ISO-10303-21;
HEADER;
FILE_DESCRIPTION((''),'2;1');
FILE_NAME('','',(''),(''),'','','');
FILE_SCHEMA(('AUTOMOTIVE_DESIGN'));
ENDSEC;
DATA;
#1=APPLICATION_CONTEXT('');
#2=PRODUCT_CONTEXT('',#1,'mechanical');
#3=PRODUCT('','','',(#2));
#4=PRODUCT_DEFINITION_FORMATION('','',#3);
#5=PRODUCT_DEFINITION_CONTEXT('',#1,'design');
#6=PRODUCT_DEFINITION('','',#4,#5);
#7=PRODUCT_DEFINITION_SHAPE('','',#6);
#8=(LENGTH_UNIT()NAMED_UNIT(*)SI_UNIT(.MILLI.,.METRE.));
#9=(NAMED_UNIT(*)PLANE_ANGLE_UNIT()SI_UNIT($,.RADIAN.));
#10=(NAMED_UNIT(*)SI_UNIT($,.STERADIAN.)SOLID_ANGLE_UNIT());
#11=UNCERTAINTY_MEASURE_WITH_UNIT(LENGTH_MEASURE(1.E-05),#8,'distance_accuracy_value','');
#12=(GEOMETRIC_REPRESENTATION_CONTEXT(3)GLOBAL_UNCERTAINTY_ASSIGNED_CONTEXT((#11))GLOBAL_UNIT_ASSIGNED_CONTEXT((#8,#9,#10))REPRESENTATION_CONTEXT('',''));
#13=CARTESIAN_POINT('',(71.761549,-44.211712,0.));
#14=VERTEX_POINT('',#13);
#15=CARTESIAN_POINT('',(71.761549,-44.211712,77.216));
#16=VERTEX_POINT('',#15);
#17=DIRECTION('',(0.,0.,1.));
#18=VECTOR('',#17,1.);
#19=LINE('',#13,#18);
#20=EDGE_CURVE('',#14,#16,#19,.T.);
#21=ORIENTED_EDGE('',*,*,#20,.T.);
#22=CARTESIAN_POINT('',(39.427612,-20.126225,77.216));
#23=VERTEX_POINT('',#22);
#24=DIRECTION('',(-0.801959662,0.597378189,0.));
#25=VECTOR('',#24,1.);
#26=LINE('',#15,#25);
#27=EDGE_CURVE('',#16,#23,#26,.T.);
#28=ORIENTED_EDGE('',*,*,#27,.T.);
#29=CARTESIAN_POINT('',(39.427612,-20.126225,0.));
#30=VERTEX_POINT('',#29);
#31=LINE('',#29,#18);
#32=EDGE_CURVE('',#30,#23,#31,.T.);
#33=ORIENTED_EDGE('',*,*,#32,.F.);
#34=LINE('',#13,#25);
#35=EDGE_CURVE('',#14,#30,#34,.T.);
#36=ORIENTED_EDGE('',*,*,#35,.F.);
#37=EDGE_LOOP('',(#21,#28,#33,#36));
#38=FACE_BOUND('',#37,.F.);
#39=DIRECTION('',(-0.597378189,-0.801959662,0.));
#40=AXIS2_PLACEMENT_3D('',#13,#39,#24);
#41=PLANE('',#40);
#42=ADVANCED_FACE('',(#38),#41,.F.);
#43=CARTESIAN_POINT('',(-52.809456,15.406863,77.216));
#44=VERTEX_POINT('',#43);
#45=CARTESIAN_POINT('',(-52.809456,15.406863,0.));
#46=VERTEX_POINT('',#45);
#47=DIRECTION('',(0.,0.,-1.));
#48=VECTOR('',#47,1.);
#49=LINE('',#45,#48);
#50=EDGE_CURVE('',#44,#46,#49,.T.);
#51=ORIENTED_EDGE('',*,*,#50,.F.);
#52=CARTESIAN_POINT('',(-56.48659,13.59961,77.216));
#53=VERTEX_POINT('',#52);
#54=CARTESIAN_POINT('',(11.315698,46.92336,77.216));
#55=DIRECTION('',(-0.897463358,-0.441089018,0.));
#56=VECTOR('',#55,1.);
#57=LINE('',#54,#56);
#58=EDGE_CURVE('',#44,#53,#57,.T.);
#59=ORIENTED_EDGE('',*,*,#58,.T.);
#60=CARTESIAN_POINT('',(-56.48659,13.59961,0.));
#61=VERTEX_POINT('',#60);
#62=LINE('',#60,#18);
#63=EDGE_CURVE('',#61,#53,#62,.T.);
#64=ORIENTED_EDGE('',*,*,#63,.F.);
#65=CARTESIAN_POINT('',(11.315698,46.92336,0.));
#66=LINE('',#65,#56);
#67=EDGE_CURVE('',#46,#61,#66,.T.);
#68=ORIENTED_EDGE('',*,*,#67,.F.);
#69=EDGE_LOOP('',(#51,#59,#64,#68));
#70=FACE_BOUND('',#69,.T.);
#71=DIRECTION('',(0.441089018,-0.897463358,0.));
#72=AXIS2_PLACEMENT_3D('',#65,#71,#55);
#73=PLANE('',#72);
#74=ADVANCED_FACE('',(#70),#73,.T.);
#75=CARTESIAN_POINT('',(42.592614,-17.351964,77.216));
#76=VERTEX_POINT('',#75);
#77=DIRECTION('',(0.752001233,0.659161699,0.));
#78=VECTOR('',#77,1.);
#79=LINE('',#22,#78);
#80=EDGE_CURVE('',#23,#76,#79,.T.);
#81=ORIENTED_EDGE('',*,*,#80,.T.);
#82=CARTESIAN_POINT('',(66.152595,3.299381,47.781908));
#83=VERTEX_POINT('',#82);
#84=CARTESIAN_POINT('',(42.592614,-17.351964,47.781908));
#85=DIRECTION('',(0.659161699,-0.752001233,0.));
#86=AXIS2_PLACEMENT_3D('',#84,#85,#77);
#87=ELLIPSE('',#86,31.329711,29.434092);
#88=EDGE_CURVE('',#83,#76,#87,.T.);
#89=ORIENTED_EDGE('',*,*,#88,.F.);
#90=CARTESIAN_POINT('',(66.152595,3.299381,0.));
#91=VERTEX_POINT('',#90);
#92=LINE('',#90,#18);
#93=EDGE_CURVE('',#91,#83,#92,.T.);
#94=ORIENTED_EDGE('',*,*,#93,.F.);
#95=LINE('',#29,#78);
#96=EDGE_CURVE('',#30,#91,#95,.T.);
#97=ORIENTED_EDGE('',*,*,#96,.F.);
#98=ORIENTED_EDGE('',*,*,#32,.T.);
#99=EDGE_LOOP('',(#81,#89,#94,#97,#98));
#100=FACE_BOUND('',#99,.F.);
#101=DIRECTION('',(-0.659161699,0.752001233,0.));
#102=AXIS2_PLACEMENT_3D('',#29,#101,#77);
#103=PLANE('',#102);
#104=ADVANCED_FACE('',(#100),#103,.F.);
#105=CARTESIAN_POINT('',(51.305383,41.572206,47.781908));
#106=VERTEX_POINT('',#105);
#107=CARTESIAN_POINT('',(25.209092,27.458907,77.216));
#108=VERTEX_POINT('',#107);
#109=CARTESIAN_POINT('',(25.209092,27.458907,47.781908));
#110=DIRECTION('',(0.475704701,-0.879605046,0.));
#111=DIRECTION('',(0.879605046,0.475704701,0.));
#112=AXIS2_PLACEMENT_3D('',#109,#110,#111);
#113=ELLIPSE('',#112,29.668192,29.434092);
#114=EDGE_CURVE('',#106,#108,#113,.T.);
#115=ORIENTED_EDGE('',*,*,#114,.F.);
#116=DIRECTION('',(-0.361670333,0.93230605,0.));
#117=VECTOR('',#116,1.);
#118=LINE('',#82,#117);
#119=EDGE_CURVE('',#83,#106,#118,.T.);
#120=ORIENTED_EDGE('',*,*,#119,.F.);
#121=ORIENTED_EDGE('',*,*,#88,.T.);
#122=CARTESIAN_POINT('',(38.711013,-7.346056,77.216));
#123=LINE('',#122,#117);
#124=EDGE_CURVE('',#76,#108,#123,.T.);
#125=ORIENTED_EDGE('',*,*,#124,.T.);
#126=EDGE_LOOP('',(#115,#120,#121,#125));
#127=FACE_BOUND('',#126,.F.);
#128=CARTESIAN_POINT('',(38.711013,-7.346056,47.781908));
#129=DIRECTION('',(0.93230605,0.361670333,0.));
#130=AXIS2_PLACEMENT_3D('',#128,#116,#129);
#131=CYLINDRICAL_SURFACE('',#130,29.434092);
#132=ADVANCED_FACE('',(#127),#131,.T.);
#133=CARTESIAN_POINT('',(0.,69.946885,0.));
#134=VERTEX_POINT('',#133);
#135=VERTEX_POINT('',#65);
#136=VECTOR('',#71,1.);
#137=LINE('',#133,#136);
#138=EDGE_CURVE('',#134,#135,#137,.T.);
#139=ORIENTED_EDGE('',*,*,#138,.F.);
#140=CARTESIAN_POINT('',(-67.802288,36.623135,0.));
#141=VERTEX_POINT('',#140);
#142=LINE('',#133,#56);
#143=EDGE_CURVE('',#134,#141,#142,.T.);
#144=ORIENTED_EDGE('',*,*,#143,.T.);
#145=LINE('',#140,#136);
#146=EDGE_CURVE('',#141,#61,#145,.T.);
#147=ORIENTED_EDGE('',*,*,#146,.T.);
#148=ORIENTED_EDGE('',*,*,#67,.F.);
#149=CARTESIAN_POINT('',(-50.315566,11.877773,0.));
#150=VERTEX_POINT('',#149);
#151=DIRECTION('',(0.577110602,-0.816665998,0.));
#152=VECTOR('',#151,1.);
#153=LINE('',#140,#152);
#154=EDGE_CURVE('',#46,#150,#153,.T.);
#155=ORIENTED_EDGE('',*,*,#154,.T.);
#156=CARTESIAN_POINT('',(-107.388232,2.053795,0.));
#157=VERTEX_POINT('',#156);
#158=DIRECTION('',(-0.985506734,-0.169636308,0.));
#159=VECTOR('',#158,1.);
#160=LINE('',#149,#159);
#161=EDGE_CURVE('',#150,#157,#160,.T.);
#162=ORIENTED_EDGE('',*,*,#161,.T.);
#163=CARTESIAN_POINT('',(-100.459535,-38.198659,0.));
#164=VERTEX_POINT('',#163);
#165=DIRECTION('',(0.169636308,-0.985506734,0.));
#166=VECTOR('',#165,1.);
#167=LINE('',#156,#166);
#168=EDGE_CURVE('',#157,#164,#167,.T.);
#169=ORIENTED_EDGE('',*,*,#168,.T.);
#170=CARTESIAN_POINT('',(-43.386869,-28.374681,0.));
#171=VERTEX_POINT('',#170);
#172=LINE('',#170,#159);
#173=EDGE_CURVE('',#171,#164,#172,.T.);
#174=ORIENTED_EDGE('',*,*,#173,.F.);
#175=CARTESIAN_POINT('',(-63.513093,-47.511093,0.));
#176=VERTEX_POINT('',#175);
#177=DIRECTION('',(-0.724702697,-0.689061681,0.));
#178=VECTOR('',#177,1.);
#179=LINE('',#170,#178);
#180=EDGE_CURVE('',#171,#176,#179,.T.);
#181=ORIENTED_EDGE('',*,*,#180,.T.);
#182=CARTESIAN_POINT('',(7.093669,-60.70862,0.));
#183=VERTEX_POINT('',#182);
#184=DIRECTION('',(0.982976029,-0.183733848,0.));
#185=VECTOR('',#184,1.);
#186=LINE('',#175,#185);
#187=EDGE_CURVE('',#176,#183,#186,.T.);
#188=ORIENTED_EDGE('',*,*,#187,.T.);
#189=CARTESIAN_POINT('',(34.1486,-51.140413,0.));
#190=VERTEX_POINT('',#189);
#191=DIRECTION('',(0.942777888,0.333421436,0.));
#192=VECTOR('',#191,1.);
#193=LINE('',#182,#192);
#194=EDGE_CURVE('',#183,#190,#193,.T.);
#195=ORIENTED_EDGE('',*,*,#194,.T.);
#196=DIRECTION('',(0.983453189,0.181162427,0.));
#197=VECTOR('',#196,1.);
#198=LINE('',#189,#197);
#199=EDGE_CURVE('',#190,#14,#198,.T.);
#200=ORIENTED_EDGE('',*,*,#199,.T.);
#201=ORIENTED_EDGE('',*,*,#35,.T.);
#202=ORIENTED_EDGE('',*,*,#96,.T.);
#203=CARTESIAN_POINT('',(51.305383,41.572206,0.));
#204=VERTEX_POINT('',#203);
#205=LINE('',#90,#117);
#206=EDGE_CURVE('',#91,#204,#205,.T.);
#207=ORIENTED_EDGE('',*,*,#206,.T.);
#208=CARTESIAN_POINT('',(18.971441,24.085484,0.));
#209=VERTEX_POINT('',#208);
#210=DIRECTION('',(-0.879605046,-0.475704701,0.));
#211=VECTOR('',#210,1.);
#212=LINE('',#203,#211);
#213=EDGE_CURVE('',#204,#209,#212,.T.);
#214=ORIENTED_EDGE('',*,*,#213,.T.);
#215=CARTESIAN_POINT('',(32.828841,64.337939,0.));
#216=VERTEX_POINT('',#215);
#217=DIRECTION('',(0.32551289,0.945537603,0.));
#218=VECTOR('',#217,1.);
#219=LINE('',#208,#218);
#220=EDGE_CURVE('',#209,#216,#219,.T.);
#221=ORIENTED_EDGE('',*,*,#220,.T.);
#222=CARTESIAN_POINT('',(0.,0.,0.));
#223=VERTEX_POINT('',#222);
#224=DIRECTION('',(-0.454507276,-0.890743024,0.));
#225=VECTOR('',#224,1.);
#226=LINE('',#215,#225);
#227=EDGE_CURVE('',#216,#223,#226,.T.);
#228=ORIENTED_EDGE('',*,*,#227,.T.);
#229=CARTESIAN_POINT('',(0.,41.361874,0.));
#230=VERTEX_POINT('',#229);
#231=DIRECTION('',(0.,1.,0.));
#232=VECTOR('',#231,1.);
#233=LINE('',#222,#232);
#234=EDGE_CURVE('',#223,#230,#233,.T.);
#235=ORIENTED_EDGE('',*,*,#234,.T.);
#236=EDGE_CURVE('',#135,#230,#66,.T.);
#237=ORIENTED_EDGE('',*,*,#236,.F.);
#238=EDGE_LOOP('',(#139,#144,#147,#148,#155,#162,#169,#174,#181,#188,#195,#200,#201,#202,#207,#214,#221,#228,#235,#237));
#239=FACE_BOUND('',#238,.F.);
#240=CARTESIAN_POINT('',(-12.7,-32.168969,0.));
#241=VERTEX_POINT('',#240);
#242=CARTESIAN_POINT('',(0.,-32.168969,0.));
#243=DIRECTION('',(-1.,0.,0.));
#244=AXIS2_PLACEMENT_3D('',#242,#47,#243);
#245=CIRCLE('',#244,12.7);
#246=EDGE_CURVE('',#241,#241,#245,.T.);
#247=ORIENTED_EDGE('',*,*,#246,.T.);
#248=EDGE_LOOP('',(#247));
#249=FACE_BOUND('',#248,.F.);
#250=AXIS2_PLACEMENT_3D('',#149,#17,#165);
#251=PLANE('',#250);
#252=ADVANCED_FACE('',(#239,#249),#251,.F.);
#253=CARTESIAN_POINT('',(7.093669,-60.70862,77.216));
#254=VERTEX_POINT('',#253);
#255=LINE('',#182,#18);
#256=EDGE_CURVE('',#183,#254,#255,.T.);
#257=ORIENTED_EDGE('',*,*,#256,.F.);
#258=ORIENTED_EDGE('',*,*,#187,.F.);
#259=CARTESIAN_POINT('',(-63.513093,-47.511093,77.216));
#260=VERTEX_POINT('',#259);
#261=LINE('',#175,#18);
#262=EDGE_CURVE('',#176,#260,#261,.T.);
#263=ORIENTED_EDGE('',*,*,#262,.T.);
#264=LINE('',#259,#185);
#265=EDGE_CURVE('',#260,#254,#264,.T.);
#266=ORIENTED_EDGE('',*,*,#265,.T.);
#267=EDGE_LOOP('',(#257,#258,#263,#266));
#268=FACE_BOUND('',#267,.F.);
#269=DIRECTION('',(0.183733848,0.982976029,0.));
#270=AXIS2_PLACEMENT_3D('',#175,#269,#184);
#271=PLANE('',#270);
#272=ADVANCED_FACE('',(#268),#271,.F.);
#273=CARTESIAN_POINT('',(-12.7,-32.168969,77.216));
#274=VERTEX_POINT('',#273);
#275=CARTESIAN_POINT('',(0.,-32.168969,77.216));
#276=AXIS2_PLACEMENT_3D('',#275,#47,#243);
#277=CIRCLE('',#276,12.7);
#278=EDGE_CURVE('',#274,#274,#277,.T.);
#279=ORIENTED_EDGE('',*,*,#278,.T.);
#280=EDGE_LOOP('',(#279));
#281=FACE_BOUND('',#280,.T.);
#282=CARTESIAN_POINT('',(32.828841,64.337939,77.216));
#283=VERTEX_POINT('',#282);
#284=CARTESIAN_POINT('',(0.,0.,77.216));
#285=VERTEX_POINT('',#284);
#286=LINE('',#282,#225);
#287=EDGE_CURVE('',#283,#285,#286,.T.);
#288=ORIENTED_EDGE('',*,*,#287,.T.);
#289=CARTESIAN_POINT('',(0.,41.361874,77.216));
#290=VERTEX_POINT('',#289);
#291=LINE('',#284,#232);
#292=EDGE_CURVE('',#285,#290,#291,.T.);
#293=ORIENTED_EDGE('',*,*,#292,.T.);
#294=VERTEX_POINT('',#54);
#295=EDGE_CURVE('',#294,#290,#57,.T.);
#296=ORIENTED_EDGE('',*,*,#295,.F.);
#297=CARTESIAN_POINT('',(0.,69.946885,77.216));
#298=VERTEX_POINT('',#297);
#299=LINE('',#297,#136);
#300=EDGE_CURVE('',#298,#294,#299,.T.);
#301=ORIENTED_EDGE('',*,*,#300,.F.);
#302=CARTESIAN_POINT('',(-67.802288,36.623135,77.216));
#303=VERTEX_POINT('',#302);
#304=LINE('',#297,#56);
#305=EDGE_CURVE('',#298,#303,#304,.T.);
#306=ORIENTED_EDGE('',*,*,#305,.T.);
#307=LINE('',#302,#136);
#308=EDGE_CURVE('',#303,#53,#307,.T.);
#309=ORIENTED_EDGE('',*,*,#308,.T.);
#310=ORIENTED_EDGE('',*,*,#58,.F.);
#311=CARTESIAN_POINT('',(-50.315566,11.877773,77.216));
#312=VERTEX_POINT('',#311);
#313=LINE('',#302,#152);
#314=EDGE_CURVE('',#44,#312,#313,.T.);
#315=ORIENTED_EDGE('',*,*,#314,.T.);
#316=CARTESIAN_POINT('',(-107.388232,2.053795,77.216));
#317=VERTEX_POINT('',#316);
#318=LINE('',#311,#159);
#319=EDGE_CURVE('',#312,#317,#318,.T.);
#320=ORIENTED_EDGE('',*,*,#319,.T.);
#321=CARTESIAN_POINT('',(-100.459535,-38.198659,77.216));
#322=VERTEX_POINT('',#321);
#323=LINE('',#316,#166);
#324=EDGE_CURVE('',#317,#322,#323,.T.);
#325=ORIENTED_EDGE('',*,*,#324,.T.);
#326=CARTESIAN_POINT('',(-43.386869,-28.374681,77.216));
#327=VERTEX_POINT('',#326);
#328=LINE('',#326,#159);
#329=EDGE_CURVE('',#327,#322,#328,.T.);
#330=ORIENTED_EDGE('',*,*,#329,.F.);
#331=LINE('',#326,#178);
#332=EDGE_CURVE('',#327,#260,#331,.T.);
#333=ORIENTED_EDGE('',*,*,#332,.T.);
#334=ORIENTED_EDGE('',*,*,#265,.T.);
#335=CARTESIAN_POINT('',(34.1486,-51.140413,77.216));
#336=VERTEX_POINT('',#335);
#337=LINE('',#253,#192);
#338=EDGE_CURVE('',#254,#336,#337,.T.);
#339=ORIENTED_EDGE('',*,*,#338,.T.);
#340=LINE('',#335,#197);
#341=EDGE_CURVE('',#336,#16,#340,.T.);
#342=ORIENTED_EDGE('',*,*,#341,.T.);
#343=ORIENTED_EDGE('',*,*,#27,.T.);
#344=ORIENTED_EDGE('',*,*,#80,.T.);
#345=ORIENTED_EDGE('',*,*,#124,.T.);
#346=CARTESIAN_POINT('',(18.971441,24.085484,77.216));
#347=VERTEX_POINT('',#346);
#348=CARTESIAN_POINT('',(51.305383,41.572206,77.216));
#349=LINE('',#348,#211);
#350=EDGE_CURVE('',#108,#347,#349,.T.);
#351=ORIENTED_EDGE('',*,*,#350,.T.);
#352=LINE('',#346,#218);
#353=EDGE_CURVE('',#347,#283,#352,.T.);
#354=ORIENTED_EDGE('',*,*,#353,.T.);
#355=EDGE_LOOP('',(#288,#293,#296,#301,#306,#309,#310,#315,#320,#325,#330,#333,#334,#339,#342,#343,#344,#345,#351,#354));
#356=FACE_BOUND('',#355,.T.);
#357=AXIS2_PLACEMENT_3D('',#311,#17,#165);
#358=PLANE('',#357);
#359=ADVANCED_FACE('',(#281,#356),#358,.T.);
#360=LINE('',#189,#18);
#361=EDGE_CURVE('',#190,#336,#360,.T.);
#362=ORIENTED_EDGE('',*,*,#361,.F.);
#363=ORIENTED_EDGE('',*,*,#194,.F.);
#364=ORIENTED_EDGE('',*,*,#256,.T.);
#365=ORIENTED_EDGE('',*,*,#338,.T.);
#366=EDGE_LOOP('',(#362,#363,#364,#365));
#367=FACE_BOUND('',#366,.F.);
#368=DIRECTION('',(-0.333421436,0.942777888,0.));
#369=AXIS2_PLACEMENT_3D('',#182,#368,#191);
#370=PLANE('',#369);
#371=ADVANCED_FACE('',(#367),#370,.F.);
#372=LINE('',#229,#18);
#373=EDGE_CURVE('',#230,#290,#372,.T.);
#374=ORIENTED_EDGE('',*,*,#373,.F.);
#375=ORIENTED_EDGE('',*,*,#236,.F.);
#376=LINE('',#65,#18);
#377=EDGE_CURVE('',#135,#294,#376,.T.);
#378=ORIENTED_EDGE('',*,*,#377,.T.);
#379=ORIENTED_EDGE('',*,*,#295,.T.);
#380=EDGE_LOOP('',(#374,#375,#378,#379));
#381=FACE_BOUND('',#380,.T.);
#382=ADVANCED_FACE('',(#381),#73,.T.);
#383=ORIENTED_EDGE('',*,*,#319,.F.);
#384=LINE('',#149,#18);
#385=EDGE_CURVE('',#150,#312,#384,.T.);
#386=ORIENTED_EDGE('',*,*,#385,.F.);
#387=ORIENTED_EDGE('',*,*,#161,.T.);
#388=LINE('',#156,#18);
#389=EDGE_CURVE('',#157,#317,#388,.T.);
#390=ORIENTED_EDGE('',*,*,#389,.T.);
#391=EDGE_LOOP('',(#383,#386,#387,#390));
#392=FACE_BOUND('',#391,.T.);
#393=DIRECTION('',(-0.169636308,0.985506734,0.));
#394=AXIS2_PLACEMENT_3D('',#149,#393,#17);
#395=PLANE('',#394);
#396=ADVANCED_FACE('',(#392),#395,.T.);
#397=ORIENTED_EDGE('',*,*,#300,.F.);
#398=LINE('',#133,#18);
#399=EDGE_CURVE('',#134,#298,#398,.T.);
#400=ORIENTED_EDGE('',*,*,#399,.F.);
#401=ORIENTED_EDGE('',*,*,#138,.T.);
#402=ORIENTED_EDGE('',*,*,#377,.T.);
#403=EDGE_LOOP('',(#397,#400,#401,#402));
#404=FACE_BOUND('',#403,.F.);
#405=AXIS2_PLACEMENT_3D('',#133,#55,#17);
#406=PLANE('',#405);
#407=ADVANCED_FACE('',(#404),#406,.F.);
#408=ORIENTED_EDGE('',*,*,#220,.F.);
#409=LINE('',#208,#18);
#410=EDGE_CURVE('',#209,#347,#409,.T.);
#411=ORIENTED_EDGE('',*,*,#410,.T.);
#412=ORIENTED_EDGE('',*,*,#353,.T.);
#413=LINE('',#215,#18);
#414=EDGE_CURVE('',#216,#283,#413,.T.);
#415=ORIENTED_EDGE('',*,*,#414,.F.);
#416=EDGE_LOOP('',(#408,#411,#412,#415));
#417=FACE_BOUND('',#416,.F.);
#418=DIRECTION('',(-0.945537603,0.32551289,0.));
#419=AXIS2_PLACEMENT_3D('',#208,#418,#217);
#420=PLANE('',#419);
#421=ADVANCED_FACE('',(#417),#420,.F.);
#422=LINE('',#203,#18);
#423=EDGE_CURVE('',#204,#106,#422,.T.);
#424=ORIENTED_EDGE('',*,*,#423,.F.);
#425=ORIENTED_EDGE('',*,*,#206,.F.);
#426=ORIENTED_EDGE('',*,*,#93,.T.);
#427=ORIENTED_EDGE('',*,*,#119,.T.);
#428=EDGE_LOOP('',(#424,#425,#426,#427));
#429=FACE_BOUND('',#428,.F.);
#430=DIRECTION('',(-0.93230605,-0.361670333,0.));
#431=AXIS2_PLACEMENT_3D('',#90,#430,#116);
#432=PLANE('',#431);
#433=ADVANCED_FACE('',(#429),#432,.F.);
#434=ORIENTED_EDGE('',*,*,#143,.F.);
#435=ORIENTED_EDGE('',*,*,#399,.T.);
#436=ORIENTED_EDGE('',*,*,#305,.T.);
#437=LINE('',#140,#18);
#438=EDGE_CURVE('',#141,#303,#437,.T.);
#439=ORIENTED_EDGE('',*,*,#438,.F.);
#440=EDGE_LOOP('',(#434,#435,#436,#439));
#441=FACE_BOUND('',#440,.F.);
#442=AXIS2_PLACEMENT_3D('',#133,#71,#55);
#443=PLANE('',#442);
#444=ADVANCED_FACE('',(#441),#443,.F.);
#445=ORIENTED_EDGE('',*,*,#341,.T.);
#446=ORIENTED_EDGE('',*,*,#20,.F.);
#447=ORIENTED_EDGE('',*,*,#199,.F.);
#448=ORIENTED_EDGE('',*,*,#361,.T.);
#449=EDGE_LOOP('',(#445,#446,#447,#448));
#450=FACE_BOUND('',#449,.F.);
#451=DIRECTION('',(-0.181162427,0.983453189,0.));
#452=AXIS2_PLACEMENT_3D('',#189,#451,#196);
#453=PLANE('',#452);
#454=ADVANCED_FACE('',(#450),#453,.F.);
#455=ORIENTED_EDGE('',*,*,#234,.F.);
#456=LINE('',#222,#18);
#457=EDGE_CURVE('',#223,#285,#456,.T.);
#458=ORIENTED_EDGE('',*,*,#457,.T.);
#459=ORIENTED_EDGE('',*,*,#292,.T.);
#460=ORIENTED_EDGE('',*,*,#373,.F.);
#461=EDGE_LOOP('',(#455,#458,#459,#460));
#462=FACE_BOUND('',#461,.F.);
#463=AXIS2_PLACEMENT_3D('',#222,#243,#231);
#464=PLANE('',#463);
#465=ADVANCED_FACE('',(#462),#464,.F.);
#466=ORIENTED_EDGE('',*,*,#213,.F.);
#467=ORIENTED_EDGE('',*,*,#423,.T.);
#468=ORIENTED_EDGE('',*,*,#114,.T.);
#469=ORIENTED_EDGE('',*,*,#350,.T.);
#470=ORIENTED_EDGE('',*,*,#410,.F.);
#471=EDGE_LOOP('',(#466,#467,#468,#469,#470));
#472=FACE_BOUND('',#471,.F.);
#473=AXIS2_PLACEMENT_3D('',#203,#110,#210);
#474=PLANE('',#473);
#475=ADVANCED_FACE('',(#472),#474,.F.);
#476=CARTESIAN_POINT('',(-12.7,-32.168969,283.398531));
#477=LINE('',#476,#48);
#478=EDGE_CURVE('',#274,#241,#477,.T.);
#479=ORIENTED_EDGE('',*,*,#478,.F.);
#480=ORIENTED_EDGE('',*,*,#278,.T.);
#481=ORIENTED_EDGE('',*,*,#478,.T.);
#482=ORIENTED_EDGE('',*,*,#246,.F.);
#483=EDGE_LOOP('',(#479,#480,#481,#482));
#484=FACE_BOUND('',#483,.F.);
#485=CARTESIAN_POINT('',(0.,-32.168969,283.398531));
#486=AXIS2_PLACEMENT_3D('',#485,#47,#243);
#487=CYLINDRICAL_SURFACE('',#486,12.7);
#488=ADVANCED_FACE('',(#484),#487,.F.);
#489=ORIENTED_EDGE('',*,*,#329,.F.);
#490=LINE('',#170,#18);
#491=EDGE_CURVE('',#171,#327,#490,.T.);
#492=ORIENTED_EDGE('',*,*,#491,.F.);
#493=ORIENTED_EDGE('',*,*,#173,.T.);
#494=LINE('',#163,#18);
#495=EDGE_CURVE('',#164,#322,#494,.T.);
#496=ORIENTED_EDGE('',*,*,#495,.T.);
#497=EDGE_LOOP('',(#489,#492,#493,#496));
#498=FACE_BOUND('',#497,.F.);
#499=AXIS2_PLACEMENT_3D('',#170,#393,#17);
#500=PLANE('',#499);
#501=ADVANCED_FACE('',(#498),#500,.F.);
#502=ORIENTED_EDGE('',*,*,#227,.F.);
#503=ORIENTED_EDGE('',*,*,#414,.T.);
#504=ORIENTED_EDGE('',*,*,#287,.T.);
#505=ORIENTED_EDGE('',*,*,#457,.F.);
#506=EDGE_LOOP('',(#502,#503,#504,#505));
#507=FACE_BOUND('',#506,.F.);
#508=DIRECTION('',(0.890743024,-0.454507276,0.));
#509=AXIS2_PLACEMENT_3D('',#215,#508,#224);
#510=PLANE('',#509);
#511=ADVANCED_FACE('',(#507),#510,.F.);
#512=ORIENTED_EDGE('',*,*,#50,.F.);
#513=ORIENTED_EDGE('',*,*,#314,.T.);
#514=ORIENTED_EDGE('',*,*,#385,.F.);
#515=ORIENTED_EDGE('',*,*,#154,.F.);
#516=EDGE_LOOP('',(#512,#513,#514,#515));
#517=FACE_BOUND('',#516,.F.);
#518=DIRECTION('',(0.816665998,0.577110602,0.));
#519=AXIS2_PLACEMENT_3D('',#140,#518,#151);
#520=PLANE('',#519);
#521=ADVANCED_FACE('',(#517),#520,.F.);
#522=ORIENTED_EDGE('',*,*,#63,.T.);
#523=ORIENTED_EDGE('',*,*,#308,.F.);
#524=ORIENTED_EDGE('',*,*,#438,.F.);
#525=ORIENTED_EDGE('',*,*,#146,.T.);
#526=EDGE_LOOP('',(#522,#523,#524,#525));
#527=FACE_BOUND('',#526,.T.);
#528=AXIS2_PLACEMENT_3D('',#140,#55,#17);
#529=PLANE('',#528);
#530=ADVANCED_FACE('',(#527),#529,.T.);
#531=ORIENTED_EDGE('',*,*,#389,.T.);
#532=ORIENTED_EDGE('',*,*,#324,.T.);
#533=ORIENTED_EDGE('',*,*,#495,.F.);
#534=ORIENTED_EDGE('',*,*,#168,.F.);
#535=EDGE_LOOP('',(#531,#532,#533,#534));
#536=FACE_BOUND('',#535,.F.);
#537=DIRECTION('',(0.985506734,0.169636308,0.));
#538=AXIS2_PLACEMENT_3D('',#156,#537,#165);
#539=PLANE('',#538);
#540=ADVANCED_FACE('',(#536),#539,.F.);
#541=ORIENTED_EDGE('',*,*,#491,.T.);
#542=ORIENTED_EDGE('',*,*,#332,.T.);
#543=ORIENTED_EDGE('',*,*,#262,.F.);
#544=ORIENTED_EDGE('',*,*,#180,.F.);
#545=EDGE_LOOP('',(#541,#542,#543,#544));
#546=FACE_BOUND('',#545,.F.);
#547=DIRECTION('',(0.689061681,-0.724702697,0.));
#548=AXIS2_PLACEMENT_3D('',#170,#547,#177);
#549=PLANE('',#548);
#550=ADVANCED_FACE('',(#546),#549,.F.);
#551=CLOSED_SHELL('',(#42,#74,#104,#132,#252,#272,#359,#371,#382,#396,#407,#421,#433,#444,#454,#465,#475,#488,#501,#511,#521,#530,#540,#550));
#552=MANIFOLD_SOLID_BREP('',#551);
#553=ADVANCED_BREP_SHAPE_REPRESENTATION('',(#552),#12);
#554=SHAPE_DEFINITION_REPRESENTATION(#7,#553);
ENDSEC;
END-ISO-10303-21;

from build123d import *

# Parameters (mm, degrees)
F1_DEPTH = 77.216
F2_R     = 29.4340917525
F4_D     = 25.4
F5_DEPTH = 25.654
F6_DEPTH = 57.912


with BuildPart() as f1:
    # F0 (on Top) → F1 (new body)
    with BuildSketch(Plane.XY):
        Polygon((32.8288413584, 64.337939024), (0, 0), (0, 69.9468851089), (-67.8022876382, 36.6231352091), (-50.315566361, 11.8777733296), (-43.3868691325, -28.3746812493), (-63.5130926967, -47.5110933185), (7.0936689153, -60.7086196542), (34.1485999525, -51.1404126883), (71.7615485191, -44.2117117345), (39.4276119769, -20.1262254268), (66.1525949836, 3.2993813511), (51.3053834438, 41.5722057223), (18.9714413136, 24.0854844451), align=None)
    extrude(amount=F1_DEPTH)

    # F2
    f2_edges = [f1.edges().sort_by_distance(p)[0] for p in [
        (58.728989, 22.435794, 77.216),
    ]]
    fillet(f2_edges, radius=F2_R)

    # F4 (through all)
    with Locations(Plane.XY.offset(77.216)):
        with Locations((0, -32.1689685807)):
            Hole(F4_D / 2)

    # F5 (add): a face of the model
    f5_faces = [f1.faces().sort_by_distance(p)[0] for p in [
        (-33.9011438191, 53.285010159, 38.608),
    ]]
    extrude(f5_faces, amount=-F5_DEPTH)

    # F6 (add): a face of the model
    f6_faces = [f1.faces().sort_by_distance(p)[0] for p in [
        (-46.8512177467, -8.2484539598, 38.608),
    ]]
    extrude(f6_faces, amount=F6_DEPTH)


solid = f1.part
